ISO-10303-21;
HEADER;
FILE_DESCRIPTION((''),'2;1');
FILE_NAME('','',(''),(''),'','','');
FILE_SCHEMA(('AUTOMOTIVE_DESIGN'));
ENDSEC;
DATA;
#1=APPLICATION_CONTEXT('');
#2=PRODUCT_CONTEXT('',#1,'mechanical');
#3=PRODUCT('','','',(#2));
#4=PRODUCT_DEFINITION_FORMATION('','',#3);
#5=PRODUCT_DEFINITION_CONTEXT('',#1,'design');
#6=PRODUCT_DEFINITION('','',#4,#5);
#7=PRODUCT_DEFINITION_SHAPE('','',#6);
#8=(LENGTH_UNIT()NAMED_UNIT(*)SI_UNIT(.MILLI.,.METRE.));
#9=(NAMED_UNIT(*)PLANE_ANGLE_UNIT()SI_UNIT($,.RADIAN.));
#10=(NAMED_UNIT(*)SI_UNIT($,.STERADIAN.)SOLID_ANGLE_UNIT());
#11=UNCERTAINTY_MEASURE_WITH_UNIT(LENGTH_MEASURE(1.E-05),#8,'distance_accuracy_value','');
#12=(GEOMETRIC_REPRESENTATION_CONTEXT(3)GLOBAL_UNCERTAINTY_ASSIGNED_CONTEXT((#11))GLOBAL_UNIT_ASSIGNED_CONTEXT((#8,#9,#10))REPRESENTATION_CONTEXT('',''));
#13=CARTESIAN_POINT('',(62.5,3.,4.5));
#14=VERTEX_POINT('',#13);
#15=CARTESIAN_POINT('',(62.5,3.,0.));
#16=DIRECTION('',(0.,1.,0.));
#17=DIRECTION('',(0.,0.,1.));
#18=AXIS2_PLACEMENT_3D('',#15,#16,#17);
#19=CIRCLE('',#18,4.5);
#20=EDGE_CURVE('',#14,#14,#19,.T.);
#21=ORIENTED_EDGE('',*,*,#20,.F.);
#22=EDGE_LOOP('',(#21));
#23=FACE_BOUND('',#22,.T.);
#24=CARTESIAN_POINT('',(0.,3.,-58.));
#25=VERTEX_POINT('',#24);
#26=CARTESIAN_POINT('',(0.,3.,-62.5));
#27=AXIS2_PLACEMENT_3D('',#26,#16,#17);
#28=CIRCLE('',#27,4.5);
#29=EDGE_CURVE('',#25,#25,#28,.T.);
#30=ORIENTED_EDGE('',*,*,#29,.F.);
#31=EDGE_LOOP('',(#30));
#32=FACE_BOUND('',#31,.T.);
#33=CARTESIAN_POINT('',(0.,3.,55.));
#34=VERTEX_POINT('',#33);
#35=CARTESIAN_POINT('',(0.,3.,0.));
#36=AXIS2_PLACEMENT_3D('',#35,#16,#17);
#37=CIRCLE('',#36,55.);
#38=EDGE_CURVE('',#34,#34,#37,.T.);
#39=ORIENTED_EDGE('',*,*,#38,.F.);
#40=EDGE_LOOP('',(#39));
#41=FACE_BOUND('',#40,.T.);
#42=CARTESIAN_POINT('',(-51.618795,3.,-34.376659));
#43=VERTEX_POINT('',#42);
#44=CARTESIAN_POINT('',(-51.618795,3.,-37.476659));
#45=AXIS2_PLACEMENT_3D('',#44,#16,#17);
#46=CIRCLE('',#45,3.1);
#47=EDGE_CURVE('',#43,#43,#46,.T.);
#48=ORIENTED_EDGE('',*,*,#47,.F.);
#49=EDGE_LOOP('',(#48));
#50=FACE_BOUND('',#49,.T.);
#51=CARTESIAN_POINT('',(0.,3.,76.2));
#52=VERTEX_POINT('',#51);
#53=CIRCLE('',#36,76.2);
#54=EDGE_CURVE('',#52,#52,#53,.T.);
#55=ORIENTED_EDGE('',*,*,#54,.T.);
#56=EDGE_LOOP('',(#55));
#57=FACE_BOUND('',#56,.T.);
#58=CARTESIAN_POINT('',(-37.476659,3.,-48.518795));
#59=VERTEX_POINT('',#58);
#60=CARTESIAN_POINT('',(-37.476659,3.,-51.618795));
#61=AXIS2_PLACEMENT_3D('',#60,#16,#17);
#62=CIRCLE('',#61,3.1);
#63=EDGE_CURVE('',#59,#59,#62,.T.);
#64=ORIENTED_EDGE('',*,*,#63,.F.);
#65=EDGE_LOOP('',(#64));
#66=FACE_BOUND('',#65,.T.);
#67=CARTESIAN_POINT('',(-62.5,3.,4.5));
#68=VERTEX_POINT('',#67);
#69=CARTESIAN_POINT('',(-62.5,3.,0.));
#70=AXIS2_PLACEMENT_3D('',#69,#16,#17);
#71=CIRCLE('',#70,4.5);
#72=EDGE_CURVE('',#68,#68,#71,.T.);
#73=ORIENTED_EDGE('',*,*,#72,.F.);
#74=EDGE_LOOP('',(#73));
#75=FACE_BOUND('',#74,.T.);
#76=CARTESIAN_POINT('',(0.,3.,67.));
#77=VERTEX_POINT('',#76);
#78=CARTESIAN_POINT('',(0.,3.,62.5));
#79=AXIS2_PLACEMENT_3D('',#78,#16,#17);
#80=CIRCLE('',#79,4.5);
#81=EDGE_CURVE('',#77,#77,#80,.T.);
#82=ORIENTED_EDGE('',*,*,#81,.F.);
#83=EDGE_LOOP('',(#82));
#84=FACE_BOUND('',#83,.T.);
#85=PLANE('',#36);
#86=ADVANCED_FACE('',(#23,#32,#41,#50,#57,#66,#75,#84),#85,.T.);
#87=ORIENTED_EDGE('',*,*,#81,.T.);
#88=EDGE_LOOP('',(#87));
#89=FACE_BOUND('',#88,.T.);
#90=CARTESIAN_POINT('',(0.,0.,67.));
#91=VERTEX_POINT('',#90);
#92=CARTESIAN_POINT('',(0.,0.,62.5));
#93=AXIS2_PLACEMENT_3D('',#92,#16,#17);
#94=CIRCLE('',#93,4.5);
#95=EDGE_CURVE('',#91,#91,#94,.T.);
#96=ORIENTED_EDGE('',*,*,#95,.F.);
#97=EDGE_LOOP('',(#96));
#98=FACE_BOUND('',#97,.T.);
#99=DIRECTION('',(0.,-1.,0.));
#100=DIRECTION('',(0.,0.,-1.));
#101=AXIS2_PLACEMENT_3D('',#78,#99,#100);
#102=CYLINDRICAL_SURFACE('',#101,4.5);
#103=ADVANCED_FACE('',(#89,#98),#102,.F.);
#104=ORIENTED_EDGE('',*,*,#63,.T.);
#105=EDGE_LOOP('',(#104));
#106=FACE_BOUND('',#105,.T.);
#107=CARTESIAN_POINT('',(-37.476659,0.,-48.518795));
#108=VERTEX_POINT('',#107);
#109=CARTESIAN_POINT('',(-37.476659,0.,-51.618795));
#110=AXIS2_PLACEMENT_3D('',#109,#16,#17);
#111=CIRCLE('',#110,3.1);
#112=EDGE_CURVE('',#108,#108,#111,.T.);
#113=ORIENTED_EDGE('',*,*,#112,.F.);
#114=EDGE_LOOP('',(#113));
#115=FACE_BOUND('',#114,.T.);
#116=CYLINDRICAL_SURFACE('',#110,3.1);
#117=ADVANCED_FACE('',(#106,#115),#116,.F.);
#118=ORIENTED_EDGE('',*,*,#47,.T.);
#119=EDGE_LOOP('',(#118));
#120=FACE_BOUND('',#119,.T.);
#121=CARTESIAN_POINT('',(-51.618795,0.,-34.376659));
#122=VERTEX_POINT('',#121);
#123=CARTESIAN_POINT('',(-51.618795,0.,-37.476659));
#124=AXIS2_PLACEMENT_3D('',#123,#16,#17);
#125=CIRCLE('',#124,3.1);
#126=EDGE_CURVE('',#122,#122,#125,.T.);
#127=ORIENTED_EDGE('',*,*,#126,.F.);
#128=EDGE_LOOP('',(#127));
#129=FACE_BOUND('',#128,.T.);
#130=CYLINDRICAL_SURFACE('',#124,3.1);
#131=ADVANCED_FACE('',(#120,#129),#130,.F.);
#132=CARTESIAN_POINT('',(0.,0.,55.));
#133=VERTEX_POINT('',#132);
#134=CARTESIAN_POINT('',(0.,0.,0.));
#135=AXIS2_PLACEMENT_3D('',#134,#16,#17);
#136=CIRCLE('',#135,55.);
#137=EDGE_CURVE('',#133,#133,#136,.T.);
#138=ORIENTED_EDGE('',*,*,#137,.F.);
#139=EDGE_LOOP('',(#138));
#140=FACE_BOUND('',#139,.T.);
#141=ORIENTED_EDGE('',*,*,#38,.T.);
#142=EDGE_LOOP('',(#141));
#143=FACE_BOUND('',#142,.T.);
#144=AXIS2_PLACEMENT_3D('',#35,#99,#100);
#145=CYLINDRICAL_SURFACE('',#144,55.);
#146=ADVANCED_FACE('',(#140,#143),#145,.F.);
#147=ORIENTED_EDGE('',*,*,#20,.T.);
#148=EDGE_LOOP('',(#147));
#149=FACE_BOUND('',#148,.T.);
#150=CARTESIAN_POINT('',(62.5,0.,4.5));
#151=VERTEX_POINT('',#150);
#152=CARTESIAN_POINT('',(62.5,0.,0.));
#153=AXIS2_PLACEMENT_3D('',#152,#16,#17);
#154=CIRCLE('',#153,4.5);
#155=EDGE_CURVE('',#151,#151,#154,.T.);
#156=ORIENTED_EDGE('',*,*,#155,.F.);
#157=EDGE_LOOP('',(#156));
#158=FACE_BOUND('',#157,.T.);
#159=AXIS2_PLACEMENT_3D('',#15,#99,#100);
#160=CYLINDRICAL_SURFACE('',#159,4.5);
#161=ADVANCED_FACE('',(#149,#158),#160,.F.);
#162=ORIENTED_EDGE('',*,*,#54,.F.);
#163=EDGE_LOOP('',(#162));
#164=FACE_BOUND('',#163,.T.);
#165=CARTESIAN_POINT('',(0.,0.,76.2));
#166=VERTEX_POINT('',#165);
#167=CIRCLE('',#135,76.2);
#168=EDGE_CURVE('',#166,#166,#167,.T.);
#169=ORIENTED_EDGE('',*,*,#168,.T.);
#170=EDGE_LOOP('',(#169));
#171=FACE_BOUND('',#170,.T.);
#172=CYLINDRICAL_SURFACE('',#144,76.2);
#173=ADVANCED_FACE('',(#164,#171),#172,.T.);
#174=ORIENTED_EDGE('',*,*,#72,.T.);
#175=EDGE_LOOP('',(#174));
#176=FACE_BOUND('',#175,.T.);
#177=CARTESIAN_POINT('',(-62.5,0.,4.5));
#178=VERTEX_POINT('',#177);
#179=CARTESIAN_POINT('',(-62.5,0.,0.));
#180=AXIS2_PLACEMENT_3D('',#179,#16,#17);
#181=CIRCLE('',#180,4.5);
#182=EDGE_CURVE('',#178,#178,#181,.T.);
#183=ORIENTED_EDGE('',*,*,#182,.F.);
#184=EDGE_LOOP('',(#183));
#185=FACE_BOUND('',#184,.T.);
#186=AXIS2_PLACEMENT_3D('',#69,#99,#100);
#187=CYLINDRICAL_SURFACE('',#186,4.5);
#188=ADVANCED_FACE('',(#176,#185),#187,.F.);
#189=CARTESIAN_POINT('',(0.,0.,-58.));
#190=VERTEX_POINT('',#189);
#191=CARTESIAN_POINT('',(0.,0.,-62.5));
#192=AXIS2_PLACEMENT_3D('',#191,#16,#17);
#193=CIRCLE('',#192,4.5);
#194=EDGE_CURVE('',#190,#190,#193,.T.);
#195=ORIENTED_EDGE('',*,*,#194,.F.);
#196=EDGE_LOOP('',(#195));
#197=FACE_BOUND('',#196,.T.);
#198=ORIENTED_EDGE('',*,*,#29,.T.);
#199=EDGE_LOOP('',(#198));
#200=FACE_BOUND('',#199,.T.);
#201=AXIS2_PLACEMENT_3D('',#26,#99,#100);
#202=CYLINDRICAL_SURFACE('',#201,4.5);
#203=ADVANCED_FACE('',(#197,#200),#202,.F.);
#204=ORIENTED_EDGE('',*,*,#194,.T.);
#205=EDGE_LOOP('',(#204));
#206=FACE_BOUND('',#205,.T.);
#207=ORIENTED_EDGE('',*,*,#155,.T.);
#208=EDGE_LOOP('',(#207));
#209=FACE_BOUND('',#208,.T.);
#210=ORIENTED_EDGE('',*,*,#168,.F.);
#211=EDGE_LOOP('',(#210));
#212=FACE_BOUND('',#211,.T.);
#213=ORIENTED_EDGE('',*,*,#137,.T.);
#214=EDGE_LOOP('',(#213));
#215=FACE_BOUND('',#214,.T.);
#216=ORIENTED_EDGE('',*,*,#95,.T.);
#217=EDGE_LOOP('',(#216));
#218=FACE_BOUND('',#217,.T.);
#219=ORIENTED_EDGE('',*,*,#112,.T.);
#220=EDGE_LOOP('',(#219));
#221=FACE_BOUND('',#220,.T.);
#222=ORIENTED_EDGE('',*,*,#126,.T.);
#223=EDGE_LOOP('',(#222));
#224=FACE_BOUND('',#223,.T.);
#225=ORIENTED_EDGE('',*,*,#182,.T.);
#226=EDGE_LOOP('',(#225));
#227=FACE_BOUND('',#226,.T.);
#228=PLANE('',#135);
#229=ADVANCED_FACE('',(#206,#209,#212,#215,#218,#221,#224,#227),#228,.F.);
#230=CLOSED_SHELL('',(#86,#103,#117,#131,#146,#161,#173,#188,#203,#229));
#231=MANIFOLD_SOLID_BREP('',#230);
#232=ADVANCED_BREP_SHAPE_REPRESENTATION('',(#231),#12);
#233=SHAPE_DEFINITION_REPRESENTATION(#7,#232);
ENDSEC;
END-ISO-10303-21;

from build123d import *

# Parameters (mm, degrees)
SKETCH1_R           = 76.2
SKETCH1_R_2         = 4.5
SKETCH1_R_3         = 55
BOSS_EXTRUDE1_DEPTH = 3
SKETCH2_R           = 3.1
CUT_EXTRUDE1_DEPTH  = 3


with BuildPart() as part:
    # Sketch1 → Boss-Extrude1 (new body)
    with BuildSketch(Plane(origin=(0, 0, 0), x_dir=(1, 0, 0), z_dir=(0, 1, 0))):
        with Locations(Location((0, 0, 0), (0, 0, 270))):
            Circle(SKETCH1_R)
        with Locations(Location((0, 62.5, 0), (0, 0, 270))):
            Circle(SKETCH1_R_2, mode=Mode.SUBTRACT)
        with Locations(Location((62.5, 0, 0), (0, 0, 270))):
            Circle(SKETCH1_R_2, mode=Mode.SUBTRACT)
        with Locations(Location((0, -62.5, 0), (0, 0, 270))):
            Circle(SKETCH1_R_2, mode=Mode.SUBTRACT)
        with Locations(Location((-62.5, 0, 0), (0, 0, 270))):
            Circle(SKETCH1_R_2, mode=Mode.SUBTRACT)
        with Locations(Location((0, 0, 0), (0, 0, 270))):
            Circle(SKETCH1_R_3, mode=Mode.SUBTRACT)
    extrude(amount=BOSS_EXTRUDE1_DEPTH)

    # Sketch2 → Cut-Extrude1 (cut)
    with BuildSketch(Plane(origin=(0, 3, 0), x_dir=(1, 0, 0), z_dir=(0, 1, 0))):
        with Locations(Location((-51.618795027, 37.476659403, 0), (0, 0, 270))):
            Circle(SKETCH2_R)
        with Locations(Location((-37.476659403, 51.618795027, 0), (0, 0, 270))):
            Circle(SKETCH2_R)
    extrude(amount=-CUT_EXTRUDE1_DEPTH, mode=Mode.SUBTRACT)


solid = part.part
